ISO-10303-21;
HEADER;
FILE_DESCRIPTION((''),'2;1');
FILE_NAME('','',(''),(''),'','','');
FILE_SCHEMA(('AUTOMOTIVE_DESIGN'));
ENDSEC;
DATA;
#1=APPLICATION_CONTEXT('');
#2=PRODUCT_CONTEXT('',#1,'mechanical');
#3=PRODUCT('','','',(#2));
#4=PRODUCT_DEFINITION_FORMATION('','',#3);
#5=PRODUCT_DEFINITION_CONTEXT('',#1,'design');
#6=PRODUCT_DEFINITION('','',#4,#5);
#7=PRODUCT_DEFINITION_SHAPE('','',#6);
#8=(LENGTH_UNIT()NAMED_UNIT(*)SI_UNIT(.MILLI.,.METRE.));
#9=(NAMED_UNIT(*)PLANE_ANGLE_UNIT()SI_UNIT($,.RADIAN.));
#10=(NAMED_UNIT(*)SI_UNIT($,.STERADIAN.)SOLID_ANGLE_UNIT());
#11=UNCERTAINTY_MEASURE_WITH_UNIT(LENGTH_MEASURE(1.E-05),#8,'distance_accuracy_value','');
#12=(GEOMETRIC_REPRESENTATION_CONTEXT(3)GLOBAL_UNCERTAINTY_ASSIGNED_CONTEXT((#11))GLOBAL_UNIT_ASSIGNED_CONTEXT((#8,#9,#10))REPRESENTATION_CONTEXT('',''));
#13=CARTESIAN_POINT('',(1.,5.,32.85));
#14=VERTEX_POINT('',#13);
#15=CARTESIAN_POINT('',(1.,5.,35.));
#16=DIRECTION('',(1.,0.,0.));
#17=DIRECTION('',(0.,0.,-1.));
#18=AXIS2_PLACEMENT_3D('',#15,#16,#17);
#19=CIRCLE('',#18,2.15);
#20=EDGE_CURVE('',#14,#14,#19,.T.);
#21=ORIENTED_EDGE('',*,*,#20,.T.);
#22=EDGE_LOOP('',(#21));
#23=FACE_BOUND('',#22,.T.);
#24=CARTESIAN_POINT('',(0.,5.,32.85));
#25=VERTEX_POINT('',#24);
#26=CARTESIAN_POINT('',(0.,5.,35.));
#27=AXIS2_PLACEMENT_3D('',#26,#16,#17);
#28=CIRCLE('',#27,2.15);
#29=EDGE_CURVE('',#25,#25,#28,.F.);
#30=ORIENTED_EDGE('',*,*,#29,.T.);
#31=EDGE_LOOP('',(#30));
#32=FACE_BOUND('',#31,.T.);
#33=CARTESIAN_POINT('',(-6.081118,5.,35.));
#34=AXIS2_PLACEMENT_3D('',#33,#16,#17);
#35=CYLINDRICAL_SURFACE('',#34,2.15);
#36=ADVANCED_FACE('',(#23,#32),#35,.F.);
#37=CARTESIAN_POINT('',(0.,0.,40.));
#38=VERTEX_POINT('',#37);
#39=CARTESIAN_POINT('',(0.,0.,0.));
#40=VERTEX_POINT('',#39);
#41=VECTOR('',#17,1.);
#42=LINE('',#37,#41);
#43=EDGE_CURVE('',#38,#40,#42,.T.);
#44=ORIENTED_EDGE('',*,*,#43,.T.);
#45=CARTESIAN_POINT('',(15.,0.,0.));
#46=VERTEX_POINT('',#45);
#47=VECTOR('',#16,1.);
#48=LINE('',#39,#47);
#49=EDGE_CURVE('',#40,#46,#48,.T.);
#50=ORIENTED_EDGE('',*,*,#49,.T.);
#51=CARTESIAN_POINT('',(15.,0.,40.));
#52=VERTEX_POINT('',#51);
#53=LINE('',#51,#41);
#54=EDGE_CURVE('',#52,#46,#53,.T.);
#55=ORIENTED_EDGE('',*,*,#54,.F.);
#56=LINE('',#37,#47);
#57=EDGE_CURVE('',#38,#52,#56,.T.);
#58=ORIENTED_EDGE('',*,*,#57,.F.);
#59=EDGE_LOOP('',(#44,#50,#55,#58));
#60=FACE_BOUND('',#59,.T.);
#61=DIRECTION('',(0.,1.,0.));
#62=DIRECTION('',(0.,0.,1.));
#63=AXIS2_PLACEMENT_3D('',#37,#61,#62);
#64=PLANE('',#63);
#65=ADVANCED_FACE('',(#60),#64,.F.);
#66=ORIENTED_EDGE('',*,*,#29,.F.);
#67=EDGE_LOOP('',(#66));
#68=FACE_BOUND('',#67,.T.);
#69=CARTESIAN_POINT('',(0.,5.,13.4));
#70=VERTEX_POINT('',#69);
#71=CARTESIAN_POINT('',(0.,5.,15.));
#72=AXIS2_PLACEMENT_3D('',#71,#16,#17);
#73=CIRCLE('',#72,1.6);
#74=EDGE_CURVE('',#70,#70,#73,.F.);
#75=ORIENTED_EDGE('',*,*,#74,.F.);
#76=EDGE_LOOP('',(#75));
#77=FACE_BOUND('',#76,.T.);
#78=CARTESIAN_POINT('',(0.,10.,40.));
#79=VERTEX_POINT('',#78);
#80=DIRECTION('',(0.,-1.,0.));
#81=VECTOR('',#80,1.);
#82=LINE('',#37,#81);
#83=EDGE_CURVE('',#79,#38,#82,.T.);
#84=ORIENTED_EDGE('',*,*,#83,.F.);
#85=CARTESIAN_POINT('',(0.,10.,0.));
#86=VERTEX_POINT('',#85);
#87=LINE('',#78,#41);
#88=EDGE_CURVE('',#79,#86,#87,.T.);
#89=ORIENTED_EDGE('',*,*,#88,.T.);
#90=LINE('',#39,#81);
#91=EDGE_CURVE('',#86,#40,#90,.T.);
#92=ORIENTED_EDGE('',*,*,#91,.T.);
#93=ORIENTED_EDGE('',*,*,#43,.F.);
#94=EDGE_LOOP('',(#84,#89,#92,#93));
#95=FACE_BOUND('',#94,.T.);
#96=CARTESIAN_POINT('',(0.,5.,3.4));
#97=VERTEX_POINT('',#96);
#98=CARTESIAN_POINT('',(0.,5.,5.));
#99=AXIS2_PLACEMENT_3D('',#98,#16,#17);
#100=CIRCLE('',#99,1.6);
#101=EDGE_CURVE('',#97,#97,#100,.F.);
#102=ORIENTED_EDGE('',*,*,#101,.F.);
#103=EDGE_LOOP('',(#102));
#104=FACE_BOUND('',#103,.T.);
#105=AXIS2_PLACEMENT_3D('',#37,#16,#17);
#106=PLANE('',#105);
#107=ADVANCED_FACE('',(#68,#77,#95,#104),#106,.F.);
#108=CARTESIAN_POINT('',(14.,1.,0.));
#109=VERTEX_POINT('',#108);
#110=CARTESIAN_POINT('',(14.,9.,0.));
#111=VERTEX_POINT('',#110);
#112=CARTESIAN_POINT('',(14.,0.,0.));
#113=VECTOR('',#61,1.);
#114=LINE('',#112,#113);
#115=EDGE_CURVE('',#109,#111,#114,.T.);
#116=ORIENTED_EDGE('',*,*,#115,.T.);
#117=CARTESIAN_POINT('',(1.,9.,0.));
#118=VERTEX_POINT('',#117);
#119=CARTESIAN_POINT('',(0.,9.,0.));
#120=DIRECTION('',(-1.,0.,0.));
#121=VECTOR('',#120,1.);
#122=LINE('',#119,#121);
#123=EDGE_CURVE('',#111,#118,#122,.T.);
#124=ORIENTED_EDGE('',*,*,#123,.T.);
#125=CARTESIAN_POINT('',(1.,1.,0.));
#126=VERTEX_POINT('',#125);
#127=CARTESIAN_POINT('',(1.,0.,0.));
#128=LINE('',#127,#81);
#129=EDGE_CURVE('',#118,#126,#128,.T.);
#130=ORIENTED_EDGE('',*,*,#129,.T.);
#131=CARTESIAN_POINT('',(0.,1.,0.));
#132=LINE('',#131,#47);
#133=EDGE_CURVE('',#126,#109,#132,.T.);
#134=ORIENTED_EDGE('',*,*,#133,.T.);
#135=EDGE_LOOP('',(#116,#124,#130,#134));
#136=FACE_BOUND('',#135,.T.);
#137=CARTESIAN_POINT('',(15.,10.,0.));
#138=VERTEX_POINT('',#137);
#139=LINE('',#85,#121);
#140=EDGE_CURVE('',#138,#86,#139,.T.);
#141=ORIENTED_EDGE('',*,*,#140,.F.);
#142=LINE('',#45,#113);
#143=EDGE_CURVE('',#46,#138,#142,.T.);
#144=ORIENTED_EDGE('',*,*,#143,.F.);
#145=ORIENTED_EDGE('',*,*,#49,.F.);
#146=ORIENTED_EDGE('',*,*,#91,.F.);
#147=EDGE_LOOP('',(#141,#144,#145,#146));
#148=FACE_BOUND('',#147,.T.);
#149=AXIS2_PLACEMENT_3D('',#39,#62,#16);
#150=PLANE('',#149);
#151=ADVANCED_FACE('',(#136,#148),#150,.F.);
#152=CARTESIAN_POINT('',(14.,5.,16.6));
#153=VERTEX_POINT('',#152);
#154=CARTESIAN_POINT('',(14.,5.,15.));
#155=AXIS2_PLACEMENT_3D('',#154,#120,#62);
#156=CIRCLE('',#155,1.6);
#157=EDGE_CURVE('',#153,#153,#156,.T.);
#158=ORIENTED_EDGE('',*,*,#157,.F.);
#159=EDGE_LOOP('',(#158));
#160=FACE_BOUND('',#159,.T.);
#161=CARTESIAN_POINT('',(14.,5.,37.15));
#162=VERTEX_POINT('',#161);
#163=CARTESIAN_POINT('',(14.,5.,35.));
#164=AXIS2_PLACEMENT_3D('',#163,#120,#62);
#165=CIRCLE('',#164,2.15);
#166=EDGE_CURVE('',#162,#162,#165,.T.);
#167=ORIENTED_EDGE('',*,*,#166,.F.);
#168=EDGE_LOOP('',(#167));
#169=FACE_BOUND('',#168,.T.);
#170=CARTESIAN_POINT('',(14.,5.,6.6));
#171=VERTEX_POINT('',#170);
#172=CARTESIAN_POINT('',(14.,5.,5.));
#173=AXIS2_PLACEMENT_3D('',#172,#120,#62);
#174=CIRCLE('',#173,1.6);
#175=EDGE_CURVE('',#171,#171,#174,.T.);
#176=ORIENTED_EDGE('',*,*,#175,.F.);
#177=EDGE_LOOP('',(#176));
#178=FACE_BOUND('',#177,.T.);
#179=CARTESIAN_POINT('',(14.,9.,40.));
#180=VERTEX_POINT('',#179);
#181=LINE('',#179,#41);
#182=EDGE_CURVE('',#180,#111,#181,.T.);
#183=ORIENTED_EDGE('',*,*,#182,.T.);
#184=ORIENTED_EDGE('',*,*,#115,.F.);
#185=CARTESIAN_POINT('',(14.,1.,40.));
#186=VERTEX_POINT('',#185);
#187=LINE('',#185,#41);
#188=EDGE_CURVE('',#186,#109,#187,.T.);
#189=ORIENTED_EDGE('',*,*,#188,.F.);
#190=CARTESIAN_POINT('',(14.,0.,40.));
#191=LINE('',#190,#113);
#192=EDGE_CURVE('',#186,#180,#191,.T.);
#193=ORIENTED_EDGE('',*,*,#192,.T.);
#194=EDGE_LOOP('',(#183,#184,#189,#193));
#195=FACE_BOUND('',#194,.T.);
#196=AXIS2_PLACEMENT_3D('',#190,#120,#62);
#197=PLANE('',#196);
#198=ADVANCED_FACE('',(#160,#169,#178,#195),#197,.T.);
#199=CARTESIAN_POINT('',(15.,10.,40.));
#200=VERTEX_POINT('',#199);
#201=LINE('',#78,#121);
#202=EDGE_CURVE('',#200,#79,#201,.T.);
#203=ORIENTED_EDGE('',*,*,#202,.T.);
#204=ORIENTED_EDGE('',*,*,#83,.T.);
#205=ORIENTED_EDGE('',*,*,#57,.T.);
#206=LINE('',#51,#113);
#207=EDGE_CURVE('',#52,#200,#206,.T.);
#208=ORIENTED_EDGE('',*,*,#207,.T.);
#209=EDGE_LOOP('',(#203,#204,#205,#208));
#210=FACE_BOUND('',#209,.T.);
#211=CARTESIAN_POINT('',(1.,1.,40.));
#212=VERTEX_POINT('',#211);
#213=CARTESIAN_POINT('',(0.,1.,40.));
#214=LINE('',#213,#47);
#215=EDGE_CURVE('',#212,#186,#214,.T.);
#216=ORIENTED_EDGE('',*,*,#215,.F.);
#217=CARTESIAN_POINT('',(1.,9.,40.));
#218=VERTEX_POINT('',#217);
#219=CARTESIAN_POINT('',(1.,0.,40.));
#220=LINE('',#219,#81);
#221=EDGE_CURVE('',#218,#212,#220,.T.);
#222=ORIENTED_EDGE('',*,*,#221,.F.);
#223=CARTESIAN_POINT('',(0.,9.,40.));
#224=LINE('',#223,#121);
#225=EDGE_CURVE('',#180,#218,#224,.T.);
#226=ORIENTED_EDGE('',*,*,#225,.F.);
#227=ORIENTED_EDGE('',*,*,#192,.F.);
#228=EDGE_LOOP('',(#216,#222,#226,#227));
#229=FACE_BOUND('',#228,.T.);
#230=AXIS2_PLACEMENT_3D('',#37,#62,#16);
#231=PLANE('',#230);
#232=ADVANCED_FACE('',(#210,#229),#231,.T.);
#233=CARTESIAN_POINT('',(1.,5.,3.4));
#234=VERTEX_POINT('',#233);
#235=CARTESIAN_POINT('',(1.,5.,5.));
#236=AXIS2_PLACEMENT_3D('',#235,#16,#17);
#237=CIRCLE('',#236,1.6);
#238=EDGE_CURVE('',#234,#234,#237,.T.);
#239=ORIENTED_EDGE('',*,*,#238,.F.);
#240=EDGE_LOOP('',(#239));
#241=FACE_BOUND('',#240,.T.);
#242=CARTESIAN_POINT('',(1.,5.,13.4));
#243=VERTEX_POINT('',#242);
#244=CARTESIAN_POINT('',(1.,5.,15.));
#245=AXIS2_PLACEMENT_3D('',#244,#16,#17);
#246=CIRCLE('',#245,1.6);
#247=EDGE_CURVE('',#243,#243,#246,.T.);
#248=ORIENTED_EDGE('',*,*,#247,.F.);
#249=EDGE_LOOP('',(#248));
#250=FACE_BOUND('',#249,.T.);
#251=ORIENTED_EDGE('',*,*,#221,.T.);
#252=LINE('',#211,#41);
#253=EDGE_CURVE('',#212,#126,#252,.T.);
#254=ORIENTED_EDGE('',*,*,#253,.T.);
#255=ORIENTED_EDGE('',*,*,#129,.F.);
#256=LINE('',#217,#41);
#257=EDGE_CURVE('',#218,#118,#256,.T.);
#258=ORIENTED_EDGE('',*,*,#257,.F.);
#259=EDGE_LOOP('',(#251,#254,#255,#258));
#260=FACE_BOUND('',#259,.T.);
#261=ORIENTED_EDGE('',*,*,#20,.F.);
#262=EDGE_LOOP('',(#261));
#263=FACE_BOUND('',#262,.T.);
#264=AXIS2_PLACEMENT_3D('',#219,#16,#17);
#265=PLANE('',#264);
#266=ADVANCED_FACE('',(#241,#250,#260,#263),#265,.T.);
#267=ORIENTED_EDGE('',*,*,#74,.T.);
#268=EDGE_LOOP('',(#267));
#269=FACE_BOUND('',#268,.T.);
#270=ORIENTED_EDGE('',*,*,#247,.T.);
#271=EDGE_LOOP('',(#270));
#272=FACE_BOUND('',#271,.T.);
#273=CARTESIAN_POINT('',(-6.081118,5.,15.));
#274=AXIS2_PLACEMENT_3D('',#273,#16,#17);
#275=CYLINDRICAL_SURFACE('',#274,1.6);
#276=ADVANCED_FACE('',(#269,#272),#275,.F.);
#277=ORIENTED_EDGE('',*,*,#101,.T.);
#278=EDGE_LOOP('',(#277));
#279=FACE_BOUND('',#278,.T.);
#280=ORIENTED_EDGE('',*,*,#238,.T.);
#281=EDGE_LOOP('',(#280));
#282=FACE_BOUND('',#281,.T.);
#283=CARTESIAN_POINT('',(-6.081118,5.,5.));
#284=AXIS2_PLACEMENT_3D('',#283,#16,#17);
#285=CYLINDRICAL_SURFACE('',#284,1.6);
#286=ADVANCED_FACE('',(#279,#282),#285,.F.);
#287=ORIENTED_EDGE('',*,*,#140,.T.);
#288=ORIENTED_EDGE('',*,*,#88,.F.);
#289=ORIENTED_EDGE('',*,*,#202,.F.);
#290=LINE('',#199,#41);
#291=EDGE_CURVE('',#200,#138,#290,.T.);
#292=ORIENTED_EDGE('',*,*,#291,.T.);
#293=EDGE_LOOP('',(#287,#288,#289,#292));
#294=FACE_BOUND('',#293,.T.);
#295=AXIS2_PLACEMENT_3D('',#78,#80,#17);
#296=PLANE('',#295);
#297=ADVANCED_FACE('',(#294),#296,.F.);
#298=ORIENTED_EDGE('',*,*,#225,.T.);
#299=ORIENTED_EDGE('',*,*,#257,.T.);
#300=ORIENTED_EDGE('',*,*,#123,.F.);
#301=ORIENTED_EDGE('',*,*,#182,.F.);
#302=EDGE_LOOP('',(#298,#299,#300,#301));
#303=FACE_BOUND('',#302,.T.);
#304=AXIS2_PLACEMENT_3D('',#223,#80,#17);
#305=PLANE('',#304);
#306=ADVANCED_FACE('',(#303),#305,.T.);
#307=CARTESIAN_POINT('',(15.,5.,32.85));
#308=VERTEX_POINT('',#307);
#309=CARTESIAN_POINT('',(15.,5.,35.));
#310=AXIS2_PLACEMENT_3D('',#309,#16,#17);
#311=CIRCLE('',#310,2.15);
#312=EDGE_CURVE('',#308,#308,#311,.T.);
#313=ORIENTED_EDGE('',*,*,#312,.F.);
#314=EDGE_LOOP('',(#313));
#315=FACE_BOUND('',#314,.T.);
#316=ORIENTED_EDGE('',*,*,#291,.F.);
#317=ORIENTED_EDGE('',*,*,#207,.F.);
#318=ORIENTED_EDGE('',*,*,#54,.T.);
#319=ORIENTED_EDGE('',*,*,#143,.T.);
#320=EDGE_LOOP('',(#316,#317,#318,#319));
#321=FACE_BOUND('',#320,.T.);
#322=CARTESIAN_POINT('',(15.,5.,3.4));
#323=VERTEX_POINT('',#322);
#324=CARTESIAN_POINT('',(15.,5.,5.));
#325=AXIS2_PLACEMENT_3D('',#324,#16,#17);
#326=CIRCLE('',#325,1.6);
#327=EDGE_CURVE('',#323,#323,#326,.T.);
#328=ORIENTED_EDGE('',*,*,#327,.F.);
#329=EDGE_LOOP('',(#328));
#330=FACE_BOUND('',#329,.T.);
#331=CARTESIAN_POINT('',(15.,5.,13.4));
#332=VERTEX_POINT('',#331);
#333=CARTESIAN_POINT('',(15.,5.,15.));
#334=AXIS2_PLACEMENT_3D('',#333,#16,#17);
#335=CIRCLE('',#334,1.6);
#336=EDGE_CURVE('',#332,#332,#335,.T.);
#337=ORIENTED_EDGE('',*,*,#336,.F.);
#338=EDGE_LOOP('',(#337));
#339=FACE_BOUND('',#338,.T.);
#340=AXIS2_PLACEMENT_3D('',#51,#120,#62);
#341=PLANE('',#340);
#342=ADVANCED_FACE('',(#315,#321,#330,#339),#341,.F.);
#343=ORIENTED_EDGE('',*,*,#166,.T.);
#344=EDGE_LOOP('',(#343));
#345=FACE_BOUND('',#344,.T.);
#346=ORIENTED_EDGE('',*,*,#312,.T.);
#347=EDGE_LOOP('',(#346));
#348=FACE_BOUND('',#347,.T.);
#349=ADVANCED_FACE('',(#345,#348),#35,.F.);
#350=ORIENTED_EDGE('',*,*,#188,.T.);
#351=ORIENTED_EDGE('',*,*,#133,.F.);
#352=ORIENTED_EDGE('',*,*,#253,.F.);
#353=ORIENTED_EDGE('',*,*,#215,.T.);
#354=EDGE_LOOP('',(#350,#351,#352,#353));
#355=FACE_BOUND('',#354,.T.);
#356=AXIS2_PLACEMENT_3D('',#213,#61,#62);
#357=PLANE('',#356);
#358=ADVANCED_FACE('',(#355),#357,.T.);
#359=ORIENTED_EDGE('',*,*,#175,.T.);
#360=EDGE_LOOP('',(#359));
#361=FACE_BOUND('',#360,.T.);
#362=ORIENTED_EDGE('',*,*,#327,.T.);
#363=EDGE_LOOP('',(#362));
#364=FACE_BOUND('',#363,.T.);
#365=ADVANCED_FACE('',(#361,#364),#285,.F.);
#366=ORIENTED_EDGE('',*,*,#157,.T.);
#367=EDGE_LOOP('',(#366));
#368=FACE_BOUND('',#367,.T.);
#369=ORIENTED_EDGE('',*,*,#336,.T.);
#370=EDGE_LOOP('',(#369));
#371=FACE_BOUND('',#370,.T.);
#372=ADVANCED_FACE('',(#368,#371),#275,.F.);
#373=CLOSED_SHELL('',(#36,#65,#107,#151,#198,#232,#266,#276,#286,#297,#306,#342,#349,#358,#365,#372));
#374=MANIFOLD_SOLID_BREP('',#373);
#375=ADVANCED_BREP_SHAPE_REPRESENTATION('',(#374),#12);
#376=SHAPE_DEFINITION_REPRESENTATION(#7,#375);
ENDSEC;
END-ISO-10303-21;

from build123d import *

# Parameters (mm, degrees)
SKETCH_1_W          = 15
SKETCH_1_H          = 10
SKETCH_1_W_2        = 13
SKETCH_1_H_2        = 8
EXTRUDE_1_DEPTH     = 40
CUT_EXTRUDE_1_REACH = 45.875
SKETCH_2_R          = 1.6
SKETCH_2_R_2        = 2.15


with BuildPart() as part:
    # ｽｹｯﾁ1 → 押し出し-薄板1 (new body)
    with BuildSketch(Plane.XY):
        with Locations((7.5, 5)):
            Rectangle(SKETCH_1_W, SKETCH_1_H)
        with Locations((7.5, 5)):
            Rectangle(SKETCH_1_W_2, SKETCH_1_H_2, mode=Mode.SUBTRACT)
    extrude(amount=EXTRUDE_1_DEPTH)

    # ｶｯﾄ - 押し出し1: up to this face of the body (flat: up to its plane)
    cut_extrude_1_end = Plane(part.part.faces().sort_by_distance((0, 5, 20))[0])
    # ｽｹｯﾁ2 → ｶｯﾄ - 押し出し1 (cut, up to the picked face)
    with BuildSketch(Plane(origin=(15, 0, 0), x_dir=(0, 0, -1), z_dir=(1, 0, 0)), mode=Mode.PRIVATE) as cut_extrude_1_sk1:
        with Locations((-5, 5)):
            Circle(SKETCH_2_R)
    cut_extrude_1_tool1 = split(extrude(cut_extrude_1_sk1.sketch, amount=-CUT_EXTRUDE_1_REACH, mode=Mode.PRIVATE), bisect_by=cut_extrude_1_end, keep=Keep.BOTH, mode=Mode.PRIVATE)
    # ｽｹｯﾁ2 → ｶｯﾄ - 押し出し1 (cut, up to the picked face)
    with BuildSketch(Plane(origin=(15, 0, 0), x_dir=(0, 0, -1), z_dir=(1, 0, 0)), mode=Mode.PRIVATE) as cut_extrude_1_sk2:
        with Locations((-15, 5)):
            Circle(SKETCH_2_R)
    cut_extrude_1_tool2 = split(extrude(cut_extrude_1_sk2.sketch, amount=-CUT_EXTRUDE_1_REACH, mode=Mode.PRIVATE), bisect_by=cut_extrude_1_end, keep=Keep.BOTH, mode=Mode.PRIVATE)
    # ｽｹｯﾁ2 → ｶｯﾄ - 押し出し1 (cut, up to the picked face)
    with BuildSketch(Plane(origin=(15, 0, 0), x_dir=(0, 0, -1), z_dir=(1, 0, 0)), mode=Mode.PRIVATE) as cut_extrude_1_sk3:
        with Locations((-35, 5)):
            Circle(SKETCH_2_R_2)
    cut_extrude_1_tool3 = split(extrude(cut_extrude_1_sk3.sketch, amount=-CUT_EXTRUDE_1_REACH, mode=Mode.PRIVATE), bisect_by=cut_extrude_1_end, keep=Keep.BOTH, mode=Mode.PRIVATE)
    add(cut_extrude_1_tool1.solids().sort_by(Axis((15, 5, 5), (-1, 0, 0)))[0], mode=Mode.SUBTRACT)
    add(cut_extrude_1_tool2.solids().sort_by(Axis((15, 5, 15), (-1, 0, 0)))[0], mode=Mode.SUBTRACT)
    add(cut_extrude_1_tool3.solids().sort_by(Axis((15, 5, 35), (-1, 0, 0)))[0], mode=Mode.SUBTRACT)


solid = part.part
